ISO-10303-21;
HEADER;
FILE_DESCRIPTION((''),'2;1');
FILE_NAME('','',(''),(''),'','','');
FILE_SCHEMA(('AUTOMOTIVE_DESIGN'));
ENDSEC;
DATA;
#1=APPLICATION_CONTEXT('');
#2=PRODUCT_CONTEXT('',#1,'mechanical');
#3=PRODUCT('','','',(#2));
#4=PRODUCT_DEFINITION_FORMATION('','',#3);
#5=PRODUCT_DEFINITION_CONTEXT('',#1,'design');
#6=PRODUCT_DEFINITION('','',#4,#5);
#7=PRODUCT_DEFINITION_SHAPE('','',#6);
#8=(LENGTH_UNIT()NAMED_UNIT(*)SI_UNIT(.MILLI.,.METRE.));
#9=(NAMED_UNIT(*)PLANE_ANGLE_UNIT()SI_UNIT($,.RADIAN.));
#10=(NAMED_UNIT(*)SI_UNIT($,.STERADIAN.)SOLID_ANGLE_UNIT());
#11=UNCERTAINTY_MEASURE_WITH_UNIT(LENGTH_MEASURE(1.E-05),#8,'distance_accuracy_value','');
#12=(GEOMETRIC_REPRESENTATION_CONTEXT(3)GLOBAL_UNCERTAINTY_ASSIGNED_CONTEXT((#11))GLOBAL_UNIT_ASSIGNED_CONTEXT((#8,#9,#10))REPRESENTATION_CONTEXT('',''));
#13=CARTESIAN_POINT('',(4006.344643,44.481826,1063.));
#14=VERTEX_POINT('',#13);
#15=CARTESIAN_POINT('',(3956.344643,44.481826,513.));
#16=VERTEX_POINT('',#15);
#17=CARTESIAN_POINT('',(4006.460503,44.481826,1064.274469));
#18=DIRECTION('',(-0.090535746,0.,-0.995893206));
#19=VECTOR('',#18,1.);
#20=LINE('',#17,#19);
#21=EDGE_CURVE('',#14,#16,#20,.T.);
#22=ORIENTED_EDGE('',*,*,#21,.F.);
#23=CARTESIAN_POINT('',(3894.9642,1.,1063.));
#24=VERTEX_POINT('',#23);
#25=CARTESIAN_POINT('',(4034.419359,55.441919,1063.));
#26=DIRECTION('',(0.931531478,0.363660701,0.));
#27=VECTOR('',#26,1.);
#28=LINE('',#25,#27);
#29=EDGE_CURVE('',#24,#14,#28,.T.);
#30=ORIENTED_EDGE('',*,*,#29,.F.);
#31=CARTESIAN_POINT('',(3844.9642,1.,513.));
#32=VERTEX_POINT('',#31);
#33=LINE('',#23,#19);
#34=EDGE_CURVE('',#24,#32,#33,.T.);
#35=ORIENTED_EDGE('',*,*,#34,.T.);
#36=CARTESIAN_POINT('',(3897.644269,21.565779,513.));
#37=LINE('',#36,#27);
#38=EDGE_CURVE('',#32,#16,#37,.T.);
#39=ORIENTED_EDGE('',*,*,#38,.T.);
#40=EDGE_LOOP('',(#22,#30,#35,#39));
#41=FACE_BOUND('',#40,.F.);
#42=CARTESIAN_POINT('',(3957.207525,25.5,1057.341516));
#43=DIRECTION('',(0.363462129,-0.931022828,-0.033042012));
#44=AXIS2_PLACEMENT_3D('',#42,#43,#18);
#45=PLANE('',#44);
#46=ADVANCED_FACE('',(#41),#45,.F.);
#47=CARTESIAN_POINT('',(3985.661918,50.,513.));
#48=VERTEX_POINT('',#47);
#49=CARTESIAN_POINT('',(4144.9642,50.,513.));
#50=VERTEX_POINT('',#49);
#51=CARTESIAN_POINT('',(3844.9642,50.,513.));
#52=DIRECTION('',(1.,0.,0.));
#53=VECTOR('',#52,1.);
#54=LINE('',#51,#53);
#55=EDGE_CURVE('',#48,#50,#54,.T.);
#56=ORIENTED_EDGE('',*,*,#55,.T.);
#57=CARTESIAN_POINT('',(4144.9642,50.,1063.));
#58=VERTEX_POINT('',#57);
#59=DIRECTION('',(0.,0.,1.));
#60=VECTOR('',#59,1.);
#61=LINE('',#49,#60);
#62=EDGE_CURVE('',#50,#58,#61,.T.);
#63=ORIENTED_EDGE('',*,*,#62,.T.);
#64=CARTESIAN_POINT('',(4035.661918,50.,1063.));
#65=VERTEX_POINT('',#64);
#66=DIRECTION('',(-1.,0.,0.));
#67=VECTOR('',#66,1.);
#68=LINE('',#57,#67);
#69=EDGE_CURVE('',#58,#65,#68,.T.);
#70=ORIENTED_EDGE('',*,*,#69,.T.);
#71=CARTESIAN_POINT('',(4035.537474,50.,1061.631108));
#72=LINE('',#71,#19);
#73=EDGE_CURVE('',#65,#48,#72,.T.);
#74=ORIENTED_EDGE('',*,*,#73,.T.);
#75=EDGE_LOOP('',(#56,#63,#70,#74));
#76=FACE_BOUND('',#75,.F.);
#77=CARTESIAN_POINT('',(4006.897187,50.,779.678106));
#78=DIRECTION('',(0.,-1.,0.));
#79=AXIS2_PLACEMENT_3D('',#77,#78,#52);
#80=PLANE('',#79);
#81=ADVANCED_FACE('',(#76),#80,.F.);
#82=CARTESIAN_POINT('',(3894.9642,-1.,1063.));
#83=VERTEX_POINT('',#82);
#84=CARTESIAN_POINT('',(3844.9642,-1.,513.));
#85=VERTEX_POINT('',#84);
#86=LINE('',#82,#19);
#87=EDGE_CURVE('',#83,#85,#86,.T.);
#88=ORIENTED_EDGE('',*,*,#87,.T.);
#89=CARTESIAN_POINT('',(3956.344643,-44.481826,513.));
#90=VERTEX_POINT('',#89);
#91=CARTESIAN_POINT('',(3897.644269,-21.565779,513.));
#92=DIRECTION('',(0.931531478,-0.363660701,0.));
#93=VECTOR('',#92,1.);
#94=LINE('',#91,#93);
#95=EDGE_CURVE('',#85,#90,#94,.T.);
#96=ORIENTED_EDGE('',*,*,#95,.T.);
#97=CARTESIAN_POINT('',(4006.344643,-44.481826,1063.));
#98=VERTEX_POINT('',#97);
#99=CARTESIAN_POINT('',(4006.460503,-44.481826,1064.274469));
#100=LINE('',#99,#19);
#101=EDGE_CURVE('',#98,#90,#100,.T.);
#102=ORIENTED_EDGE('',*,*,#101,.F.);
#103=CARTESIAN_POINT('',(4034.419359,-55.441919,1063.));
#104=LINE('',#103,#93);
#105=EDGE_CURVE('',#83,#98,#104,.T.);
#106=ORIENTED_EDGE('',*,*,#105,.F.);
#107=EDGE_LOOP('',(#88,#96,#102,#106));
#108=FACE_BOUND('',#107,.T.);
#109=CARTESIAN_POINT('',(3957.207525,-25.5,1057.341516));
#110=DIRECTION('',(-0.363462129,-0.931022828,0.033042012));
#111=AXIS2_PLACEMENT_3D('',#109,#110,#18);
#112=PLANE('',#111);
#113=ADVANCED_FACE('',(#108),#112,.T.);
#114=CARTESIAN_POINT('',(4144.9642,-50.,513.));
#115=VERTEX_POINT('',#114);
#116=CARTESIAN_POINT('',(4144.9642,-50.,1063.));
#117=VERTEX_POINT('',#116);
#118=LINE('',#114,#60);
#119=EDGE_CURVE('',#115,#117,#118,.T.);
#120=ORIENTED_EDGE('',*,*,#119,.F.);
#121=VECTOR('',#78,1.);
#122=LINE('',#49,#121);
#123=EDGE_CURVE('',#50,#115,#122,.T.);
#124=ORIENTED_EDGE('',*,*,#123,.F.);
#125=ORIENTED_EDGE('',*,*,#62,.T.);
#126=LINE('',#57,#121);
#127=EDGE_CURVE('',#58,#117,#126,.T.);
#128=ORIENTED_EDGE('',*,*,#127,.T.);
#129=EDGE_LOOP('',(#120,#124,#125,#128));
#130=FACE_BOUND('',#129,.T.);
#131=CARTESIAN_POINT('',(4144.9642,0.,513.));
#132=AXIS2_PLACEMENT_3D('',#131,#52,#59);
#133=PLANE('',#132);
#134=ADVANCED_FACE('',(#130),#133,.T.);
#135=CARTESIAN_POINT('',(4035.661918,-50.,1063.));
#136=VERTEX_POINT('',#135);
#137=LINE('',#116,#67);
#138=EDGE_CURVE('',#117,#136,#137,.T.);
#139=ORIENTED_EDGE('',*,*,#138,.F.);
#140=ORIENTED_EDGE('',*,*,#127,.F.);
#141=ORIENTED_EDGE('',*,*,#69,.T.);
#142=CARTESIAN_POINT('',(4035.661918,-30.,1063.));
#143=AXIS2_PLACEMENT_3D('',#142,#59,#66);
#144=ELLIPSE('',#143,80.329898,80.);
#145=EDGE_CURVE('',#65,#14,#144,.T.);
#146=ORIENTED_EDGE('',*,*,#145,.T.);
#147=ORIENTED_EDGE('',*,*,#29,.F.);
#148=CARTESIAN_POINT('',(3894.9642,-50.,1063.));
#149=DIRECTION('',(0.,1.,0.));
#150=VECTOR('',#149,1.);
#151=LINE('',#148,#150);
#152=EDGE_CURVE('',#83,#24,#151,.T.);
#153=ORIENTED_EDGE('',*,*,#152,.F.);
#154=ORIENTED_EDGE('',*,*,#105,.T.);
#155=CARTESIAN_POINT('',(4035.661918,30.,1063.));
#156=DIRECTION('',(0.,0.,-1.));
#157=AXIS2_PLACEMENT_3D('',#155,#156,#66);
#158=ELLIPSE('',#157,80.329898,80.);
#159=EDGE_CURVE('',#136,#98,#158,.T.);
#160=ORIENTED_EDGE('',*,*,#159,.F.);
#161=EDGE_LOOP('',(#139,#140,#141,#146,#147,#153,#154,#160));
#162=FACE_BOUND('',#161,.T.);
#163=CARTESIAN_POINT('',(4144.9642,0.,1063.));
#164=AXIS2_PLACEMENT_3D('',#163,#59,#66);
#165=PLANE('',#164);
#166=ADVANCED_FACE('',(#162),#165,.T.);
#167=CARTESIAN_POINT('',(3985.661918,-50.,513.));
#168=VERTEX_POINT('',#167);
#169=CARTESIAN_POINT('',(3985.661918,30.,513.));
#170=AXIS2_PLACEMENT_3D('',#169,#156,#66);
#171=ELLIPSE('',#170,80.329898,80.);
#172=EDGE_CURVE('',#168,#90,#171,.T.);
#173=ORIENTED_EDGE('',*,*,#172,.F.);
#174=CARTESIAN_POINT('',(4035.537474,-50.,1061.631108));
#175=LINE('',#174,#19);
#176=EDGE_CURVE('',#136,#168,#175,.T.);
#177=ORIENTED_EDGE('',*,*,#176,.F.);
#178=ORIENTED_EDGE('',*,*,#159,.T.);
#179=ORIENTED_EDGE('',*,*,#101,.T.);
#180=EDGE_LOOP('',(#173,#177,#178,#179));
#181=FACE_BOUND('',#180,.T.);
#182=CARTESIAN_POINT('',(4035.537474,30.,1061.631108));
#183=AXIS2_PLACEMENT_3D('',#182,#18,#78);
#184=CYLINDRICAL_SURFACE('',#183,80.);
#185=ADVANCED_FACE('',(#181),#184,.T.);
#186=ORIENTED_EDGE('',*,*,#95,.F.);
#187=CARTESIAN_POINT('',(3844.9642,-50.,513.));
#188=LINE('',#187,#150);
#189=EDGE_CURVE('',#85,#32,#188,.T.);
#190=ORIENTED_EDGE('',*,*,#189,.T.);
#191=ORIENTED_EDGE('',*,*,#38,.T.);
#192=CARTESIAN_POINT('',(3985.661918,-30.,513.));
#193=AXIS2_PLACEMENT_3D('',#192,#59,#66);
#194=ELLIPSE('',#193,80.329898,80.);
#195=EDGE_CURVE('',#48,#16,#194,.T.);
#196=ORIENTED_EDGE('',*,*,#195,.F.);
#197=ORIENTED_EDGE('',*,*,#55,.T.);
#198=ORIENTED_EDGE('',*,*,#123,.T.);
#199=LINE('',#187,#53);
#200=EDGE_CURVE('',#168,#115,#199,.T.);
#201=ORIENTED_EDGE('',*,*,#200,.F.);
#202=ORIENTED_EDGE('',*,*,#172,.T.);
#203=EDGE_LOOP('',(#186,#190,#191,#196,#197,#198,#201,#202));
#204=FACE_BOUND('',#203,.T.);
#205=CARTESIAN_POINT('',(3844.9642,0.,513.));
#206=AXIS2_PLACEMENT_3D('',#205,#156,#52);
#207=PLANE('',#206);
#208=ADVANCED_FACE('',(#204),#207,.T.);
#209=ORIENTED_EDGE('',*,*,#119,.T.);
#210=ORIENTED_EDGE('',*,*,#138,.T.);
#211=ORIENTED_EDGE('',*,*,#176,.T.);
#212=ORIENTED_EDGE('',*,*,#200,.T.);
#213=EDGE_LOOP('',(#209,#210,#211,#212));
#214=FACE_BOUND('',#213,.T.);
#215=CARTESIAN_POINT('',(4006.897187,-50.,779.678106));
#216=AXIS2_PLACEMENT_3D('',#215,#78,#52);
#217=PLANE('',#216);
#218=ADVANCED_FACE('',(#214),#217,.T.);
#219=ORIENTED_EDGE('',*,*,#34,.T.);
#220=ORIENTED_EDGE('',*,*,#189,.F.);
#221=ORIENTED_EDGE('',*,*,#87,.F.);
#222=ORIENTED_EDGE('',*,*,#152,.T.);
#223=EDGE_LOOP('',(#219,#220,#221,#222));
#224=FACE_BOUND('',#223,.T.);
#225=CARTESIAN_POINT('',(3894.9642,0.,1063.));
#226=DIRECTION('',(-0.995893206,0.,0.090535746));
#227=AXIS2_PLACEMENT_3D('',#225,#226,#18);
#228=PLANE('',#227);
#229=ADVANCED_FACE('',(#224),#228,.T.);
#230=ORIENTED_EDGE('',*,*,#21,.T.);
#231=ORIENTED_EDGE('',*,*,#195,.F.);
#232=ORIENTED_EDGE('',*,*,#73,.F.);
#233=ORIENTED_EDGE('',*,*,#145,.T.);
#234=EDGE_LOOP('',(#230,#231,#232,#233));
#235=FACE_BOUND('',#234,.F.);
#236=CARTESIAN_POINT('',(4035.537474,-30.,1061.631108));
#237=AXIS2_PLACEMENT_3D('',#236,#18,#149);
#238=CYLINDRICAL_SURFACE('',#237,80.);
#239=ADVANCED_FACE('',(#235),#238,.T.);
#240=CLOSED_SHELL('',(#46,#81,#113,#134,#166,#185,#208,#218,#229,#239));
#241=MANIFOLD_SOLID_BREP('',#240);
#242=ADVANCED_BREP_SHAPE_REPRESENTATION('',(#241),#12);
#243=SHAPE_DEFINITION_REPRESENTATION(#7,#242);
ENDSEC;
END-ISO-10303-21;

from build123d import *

# Parameters (mm, degrees)
PAD002_DEPTH  = 50
CHAMFER_SIZE2 = 125
CHAMFER_SIZE  = 49
FILLET_R      = 80


with BuildPart() as part:
    # Sketch004 → Pad002 (new body, symmetric)
    with BuildSketch(Plane.XZ):
        Polygon((0, 0), (300, 0), (300, 550), (50, 550), align=None)
    extrude(amount=PAD002_DEPTH, both=True)

    # Chamfer
    chamfer_edges = [part.edges().sort_by_distance(p)[0] for p in [
        (25, 50, 275),
        (25, -50, 275),
    ]]
    chamfer_side = part.faces().sort_by_distance((25, 0, 275))[0]
    chamfer(chamfer_edges, length=CHAMFER_SIZE, length2=CHAMFER_SIZE2, reference=chamfer_side)


with BuildPart() as part_1:
    # Body005 placement: moved
    add(part.part.moved(Location((3844.9642, 0, 513))))

    # Fillet
    fillet_edges = [part_1.edges().sort_by_distance(p)[0] for p in [
        (3995.479666, 50, 788),
        (3995.479666, -50, 788),
    ]]
    fillet(fillet_edges, radius=FILLET_R)


solid = part_1.part
